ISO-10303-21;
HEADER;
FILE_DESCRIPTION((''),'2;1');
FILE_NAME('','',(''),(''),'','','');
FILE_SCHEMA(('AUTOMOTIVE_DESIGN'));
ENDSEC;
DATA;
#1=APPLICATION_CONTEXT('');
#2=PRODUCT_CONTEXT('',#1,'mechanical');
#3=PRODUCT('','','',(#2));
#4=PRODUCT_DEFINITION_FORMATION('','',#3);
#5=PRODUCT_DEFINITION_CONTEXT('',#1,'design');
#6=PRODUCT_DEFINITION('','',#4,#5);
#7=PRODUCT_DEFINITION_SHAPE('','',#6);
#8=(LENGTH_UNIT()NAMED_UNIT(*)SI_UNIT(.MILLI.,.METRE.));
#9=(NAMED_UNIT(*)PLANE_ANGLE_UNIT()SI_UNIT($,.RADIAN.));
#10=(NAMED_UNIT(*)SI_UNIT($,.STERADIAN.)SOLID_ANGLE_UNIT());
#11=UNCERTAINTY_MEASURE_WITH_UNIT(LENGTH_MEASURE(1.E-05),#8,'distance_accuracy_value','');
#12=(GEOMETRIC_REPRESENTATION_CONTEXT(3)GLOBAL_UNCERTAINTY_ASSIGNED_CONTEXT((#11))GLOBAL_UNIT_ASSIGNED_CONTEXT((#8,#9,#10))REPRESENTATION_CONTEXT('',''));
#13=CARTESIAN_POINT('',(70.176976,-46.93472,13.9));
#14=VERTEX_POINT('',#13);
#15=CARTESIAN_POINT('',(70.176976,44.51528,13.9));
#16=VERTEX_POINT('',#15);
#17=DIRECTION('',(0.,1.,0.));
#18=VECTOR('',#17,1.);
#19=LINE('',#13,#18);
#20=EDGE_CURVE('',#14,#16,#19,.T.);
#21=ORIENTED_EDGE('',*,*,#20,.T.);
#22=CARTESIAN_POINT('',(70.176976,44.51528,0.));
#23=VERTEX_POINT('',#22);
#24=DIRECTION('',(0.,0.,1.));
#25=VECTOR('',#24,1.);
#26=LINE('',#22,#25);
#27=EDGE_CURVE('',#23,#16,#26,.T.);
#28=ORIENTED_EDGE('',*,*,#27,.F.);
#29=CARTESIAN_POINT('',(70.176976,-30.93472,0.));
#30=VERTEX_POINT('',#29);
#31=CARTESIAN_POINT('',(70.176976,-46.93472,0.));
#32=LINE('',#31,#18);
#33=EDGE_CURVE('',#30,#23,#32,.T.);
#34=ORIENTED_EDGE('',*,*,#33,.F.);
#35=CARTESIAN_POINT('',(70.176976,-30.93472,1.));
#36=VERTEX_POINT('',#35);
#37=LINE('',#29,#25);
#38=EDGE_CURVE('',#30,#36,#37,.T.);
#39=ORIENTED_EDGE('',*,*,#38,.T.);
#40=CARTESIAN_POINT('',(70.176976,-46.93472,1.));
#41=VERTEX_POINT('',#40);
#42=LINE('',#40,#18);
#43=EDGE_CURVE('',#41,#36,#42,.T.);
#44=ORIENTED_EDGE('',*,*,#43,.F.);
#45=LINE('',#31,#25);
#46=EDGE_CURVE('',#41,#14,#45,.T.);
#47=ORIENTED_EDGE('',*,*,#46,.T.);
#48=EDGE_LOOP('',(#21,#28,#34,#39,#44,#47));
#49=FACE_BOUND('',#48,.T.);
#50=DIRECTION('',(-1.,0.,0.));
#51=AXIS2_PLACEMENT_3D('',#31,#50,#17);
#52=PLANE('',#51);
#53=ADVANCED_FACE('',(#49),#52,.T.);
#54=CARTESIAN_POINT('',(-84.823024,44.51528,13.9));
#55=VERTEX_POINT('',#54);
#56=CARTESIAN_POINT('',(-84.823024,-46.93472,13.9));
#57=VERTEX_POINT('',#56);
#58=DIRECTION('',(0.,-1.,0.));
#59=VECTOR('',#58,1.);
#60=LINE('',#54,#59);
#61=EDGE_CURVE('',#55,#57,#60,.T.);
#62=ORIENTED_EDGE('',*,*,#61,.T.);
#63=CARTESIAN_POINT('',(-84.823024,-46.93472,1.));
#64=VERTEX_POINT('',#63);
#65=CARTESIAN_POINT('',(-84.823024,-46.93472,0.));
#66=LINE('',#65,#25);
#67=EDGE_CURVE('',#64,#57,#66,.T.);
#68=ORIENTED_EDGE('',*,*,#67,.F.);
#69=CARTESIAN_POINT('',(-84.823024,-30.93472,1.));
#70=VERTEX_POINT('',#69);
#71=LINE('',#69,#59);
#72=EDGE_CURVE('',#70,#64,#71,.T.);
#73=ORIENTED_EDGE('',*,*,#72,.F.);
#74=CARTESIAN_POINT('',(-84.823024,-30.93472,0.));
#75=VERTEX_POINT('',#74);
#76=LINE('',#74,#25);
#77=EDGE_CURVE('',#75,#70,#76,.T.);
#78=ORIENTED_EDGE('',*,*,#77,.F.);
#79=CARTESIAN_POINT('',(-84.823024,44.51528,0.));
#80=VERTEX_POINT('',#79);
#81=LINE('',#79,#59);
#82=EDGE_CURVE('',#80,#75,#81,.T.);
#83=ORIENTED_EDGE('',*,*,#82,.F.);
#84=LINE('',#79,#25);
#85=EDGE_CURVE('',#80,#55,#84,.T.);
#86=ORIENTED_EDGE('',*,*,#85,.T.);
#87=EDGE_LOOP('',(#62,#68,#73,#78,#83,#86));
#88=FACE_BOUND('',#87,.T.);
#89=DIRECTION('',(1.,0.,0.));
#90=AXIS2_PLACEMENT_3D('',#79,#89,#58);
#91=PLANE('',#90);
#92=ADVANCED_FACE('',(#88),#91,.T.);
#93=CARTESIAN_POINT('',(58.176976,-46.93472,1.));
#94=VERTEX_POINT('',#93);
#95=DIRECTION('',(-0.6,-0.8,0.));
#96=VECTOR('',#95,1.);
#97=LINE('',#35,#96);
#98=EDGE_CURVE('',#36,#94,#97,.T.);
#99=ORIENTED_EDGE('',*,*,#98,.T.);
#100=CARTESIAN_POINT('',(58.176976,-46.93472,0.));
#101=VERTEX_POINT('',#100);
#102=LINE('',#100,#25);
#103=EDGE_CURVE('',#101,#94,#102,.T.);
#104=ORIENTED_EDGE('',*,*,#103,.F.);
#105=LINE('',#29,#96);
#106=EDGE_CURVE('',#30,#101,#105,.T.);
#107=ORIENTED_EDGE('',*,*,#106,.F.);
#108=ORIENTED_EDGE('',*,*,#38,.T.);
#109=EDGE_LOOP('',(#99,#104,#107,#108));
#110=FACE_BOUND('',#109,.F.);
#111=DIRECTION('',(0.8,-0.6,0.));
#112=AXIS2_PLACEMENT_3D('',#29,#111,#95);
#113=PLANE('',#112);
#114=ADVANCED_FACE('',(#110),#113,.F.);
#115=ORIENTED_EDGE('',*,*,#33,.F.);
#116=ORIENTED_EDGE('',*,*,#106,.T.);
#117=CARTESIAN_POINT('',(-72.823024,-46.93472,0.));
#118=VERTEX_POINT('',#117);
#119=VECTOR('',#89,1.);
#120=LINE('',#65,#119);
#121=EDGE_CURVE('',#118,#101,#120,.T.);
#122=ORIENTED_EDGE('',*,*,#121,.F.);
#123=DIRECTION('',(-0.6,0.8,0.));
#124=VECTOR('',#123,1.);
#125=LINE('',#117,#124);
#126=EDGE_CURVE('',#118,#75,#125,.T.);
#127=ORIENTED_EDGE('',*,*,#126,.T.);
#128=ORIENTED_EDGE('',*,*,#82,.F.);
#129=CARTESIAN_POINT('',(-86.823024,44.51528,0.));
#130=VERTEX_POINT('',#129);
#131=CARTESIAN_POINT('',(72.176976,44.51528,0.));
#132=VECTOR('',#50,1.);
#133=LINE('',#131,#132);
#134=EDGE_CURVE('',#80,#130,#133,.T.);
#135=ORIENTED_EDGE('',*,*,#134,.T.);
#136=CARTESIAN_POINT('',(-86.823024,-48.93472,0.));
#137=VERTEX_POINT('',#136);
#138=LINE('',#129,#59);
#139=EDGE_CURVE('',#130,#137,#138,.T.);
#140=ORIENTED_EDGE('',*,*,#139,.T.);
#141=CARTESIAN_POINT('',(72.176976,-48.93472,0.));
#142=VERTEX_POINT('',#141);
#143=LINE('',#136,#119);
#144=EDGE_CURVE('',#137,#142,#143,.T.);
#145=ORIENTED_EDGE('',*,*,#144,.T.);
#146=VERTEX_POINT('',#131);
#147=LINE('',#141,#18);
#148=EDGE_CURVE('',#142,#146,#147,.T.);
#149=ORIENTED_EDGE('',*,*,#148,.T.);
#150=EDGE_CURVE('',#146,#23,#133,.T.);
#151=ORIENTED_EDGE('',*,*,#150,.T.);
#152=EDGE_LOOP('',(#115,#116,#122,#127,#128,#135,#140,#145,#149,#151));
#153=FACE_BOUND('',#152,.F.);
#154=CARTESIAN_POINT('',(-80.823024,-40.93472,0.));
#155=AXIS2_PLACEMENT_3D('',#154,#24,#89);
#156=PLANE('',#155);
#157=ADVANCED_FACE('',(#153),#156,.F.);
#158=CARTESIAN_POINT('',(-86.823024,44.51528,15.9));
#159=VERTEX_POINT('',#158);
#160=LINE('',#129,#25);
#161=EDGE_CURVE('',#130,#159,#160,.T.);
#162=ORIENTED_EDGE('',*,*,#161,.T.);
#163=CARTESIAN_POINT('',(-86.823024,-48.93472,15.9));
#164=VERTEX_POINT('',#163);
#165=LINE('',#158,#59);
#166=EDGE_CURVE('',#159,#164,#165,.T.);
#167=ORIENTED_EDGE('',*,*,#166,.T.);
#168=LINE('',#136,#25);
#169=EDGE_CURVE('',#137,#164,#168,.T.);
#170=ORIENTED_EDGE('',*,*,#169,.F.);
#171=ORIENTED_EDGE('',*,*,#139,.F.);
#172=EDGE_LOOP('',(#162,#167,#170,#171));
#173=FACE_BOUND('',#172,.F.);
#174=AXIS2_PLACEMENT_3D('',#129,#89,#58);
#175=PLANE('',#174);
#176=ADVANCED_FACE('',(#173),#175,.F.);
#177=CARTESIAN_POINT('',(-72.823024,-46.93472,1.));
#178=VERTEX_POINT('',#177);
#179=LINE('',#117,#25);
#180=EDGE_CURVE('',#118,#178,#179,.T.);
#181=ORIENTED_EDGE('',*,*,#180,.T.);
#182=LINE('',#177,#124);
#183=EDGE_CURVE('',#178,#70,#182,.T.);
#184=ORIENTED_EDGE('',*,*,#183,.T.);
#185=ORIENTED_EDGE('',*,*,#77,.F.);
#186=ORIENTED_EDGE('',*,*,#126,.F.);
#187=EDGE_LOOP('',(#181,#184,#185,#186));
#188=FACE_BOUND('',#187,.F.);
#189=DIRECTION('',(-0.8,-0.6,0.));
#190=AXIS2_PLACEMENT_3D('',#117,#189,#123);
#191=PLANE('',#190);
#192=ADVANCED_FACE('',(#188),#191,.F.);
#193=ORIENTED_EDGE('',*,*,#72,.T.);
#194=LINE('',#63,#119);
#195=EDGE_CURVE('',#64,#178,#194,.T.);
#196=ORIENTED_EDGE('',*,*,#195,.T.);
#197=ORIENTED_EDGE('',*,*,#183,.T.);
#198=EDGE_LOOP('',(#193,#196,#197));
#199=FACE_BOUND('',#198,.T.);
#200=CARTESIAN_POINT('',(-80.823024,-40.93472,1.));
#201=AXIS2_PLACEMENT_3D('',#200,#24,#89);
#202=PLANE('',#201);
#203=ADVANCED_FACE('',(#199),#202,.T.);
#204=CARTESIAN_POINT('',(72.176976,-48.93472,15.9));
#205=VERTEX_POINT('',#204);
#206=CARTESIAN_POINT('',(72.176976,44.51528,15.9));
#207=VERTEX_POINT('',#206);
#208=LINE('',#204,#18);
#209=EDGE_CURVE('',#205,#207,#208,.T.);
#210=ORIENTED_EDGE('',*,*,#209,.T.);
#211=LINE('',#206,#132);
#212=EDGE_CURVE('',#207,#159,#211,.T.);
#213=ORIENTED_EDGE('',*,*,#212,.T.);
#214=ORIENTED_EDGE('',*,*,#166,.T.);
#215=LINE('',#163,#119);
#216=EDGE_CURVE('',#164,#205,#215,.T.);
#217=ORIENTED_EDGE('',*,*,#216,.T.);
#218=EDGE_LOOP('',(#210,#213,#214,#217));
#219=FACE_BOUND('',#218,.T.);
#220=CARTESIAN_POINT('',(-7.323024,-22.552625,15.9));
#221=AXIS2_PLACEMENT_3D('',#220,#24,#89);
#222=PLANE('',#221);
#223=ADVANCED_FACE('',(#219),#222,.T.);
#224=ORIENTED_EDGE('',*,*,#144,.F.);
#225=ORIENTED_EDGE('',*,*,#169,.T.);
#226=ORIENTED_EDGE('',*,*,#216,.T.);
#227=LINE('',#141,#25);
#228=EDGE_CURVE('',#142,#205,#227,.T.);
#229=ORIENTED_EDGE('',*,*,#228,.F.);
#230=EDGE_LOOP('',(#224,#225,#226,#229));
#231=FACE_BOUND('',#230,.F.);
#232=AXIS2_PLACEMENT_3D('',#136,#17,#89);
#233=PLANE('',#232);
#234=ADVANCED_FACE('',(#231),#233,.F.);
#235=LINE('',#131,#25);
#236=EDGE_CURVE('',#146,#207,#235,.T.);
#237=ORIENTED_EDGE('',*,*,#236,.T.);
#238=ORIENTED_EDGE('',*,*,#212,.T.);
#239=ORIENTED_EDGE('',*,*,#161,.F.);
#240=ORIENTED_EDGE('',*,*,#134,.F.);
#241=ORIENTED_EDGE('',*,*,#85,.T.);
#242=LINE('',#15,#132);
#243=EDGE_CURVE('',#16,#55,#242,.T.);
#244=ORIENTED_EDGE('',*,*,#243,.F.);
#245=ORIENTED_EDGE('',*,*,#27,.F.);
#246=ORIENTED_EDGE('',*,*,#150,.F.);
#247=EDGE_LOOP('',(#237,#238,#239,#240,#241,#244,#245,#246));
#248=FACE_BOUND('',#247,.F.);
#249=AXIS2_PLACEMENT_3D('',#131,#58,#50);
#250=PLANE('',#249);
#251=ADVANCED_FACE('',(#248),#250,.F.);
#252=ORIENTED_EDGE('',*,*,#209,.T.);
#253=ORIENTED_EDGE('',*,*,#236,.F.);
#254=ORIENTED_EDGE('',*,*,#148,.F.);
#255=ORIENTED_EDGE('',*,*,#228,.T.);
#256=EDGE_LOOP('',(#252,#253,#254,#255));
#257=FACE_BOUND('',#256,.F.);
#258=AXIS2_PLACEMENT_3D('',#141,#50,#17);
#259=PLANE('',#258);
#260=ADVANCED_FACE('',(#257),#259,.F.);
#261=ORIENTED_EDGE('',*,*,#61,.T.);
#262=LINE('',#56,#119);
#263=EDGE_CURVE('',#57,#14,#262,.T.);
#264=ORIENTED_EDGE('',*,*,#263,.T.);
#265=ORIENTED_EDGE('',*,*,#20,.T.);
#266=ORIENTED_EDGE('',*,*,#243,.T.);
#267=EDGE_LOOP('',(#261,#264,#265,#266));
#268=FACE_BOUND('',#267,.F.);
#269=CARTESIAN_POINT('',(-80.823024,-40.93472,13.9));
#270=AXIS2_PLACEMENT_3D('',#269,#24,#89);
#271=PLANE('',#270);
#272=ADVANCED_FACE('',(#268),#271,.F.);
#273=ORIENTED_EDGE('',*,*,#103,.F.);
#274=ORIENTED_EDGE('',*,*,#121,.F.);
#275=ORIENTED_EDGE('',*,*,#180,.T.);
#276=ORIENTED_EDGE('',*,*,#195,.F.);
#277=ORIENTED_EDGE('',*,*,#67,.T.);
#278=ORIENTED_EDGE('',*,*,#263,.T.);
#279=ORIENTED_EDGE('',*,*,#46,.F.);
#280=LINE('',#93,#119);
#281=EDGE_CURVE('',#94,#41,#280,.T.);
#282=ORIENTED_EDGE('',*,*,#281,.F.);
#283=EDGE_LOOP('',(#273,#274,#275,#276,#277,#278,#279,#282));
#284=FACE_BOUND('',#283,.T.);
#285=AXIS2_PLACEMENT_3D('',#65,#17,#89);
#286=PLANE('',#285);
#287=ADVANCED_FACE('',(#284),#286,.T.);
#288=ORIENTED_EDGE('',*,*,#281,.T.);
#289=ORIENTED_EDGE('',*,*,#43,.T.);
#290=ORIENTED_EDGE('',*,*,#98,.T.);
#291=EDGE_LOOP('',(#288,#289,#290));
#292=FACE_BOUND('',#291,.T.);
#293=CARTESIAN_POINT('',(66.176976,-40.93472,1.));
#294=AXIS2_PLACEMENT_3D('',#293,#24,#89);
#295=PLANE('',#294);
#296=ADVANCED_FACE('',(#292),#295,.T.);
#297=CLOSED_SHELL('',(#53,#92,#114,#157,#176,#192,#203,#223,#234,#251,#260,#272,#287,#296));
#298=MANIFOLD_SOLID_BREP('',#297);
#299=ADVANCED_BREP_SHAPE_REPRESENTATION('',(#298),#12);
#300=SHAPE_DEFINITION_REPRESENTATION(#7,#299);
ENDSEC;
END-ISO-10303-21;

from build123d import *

# Parameters (mm, degrees)
F1_DEPTH = 15.9
F2_DEPTH = 13.9
F3_DEPTH = 1


with BuildPart() as f1:
    # F0 (on Top) → F1 (new body)
    with BuildSketch(Plane.XY):
        Polygon((-84.823024, -30.93472), (-84.823024, 44.51528), (-86.823024, 44.51528), (-86.823024, -48.93472), (72.176976, -48.93472), (72.176976, 44.51528), (70.176976, 44.51528), (70.176976, -30.93472), (70.176976, -46.93472), (58.176976, -46.93472), (-72.823024, -46.93472), (-84.823024, -46.93472), align=None)
        Polygon((-72.823024, -46.93472), (-84.823024, -30.93472), (-84.823024, -46.93472), align=None)
        Polygon((70.176976, -46.93472), (70.176976, -30.93472), (58.176976, -46.93472), align=None)
        Polygon((70.176976, 44.51528), (-84.823024, 44.51528), (-84.823024, -30.93472), (-72.823024, -46.93472), (58.176976, -46.93472), (70.176976, -30.93472), align=None)
    extrude(amount=F1_DEPTH)

    # F0 (on Top) → F2 (cut)
    with BuildSketch(Plane.XY):
        Polygon((-72.823024, -46.93472), (-84.823024, -30.93472), (-84.823024, -46.93472), align=None)
        Polygon((70.176976, 44.51528), (-84.823024, 44.51528), (-84.823024, -30.93472), (-72.823024, -46.93472), (58.176976, -46.93472), (70.176976, -30.93472), align=None)
        Polygon((70.176976, -46.93472), (70.176976, -30.93472), (58.176976, -46.93472), align=None)
    extrude(amount=F2_DEPTH, mode=Mode.SUBTRACT)

    # F0 (on Top) → F3 (join)
    with BuildSketch(Plane.XY):
        Polygon((-72.823024, -46.93472), (-84.823024, -30.93472), (-84.823024, -46.93472), align=None)
        Polygon((70.176976, -46.93472), (70.176976, -30.93472), (58.176976, -46.93472), align=None)
    extrude(amount=F3_DEPTH)


solid = f1.part
